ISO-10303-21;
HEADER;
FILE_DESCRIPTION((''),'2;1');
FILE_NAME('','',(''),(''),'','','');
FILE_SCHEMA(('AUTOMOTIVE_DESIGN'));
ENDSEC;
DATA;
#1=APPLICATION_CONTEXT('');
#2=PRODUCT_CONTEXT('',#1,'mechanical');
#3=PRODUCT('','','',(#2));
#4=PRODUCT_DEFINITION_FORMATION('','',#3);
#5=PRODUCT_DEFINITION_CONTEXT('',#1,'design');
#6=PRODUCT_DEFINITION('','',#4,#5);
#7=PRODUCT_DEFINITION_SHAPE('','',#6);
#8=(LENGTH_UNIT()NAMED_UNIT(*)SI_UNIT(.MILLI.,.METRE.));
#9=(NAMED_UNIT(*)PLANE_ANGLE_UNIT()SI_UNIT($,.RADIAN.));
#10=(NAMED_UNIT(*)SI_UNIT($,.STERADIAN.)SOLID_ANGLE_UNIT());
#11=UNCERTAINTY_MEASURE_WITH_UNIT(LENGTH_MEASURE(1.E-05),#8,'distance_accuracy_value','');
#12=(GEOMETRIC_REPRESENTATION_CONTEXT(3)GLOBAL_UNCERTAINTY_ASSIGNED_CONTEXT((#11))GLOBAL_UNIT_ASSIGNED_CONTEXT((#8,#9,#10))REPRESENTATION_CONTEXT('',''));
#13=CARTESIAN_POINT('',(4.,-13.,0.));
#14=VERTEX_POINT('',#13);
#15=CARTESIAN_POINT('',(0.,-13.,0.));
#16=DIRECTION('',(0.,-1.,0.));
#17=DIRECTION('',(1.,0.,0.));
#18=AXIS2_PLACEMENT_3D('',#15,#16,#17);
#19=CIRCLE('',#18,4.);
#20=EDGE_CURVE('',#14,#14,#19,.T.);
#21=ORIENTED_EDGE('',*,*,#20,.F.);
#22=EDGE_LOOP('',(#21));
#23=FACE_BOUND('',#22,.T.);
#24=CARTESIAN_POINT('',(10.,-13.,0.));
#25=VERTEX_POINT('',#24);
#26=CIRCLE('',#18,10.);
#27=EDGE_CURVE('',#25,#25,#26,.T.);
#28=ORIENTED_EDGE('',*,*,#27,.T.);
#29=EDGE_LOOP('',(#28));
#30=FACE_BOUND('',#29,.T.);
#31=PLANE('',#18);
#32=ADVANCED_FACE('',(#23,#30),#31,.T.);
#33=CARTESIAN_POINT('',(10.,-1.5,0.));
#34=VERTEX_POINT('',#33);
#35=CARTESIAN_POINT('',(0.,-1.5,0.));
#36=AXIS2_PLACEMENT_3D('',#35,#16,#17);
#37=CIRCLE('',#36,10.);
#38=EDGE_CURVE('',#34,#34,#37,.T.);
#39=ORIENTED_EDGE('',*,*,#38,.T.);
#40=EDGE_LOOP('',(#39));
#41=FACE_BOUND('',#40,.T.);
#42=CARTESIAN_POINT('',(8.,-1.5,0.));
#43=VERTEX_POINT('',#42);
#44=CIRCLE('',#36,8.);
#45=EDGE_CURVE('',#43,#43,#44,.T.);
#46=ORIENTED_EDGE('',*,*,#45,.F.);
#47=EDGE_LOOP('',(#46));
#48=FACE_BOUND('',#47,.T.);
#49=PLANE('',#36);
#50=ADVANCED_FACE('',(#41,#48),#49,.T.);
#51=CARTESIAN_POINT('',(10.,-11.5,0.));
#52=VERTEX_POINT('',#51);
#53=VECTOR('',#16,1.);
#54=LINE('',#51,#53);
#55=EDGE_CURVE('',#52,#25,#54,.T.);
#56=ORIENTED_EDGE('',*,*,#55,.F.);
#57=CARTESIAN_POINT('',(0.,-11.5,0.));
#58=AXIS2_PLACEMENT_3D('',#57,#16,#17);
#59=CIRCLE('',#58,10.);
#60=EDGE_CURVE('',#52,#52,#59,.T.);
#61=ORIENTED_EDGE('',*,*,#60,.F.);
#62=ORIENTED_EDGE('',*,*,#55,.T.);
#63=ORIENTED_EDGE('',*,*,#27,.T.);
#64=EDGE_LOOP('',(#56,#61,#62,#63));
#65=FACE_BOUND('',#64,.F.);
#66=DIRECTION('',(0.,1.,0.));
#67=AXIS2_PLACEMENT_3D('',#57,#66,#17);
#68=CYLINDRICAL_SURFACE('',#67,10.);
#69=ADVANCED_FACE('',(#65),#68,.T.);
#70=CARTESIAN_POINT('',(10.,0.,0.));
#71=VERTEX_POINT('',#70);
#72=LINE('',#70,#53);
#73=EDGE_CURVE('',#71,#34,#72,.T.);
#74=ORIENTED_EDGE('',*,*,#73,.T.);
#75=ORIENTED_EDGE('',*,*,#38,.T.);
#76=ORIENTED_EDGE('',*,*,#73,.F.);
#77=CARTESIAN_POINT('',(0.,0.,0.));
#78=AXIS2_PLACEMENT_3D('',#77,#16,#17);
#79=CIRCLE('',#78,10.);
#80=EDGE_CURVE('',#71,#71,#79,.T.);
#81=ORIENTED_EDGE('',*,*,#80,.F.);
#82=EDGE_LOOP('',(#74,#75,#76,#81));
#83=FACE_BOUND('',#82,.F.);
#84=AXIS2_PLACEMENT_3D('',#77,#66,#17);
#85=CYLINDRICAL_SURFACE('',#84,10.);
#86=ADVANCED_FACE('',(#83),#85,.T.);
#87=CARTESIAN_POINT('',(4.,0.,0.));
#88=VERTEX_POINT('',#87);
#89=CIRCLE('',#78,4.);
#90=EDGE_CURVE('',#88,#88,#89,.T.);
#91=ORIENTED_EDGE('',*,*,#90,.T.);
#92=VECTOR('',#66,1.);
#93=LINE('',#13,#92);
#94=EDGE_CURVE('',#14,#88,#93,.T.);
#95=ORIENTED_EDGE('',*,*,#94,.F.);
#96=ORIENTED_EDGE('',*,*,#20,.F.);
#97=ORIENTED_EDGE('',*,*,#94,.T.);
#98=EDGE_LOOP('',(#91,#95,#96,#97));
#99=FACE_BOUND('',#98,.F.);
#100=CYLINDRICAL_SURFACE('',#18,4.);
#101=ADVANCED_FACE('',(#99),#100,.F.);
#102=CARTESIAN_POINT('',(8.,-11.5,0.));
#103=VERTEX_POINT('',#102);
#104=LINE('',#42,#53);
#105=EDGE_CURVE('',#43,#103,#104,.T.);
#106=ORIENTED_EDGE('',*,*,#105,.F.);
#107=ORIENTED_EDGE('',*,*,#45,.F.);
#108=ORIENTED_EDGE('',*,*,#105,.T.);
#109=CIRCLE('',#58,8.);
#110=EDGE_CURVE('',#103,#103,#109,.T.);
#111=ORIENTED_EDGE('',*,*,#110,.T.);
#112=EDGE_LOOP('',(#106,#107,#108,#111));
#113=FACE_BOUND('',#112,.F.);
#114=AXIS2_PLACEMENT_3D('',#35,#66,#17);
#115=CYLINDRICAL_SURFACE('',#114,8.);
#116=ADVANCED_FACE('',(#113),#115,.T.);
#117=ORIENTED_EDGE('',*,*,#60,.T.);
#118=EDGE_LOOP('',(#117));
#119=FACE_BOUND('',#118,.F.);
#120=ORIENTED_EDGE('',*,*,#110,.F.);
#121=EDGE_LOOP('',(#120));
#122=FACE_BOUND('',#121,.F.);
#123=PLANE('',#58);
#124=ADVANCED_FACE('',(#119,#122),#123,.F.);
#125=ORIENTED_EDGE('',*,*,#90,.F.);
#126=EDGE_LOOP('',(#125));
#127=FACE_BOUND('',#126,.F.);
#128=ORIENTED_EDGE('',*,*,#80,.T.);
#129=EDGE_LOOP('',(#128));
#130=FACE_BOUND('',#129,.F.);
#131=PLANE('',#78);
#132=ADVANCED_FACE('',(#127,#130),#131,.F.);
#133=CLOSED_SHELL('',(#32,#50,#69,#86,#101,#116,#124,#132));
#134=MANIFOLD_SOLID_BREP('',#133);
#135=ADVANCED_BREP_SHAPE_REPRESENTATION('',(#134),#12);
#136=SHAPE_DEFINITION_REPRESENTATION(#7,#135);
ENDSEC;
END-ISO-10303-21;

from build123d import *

# Parameters (mm, degrees)
F0_R     = 10
F1_DEPTH = 1.5
F2_R     = 8
F3_DEPTH = 10
F4_R     = 10
F5_DEPTH = 1.5
F6_R     = 4
F7_DEPTH = 25


with BuildPart() as f1:
    # F0 (on Front) → F1 (new body)
    with BuildSketch(Plane.XZ):
        Circle(F0_R)
    extrude(amount=F1_DEPTH)

    # F2 (on face) → F3 (join)
    with BuildSketch(Plane.XZ.offset(1.5)):
        Circle(F2_R)
    extrude(amount=F3_DEPTH)

    # F4 (on face) → F5 (join)
    with BuildSketch(Plane.XZ.offset(11.5)):
        Circle(F4_R)
    extrude(amount=F5_DEPTH)

    # F6 (on face) → F7 (cut)
    with BuildSketch(Plane.XZ.offset(13)):
        Circle(F6_R)
    extrude(amount=-F7_DEPTH, mode=Mode.SUBTRACT)


solid = f1.part
